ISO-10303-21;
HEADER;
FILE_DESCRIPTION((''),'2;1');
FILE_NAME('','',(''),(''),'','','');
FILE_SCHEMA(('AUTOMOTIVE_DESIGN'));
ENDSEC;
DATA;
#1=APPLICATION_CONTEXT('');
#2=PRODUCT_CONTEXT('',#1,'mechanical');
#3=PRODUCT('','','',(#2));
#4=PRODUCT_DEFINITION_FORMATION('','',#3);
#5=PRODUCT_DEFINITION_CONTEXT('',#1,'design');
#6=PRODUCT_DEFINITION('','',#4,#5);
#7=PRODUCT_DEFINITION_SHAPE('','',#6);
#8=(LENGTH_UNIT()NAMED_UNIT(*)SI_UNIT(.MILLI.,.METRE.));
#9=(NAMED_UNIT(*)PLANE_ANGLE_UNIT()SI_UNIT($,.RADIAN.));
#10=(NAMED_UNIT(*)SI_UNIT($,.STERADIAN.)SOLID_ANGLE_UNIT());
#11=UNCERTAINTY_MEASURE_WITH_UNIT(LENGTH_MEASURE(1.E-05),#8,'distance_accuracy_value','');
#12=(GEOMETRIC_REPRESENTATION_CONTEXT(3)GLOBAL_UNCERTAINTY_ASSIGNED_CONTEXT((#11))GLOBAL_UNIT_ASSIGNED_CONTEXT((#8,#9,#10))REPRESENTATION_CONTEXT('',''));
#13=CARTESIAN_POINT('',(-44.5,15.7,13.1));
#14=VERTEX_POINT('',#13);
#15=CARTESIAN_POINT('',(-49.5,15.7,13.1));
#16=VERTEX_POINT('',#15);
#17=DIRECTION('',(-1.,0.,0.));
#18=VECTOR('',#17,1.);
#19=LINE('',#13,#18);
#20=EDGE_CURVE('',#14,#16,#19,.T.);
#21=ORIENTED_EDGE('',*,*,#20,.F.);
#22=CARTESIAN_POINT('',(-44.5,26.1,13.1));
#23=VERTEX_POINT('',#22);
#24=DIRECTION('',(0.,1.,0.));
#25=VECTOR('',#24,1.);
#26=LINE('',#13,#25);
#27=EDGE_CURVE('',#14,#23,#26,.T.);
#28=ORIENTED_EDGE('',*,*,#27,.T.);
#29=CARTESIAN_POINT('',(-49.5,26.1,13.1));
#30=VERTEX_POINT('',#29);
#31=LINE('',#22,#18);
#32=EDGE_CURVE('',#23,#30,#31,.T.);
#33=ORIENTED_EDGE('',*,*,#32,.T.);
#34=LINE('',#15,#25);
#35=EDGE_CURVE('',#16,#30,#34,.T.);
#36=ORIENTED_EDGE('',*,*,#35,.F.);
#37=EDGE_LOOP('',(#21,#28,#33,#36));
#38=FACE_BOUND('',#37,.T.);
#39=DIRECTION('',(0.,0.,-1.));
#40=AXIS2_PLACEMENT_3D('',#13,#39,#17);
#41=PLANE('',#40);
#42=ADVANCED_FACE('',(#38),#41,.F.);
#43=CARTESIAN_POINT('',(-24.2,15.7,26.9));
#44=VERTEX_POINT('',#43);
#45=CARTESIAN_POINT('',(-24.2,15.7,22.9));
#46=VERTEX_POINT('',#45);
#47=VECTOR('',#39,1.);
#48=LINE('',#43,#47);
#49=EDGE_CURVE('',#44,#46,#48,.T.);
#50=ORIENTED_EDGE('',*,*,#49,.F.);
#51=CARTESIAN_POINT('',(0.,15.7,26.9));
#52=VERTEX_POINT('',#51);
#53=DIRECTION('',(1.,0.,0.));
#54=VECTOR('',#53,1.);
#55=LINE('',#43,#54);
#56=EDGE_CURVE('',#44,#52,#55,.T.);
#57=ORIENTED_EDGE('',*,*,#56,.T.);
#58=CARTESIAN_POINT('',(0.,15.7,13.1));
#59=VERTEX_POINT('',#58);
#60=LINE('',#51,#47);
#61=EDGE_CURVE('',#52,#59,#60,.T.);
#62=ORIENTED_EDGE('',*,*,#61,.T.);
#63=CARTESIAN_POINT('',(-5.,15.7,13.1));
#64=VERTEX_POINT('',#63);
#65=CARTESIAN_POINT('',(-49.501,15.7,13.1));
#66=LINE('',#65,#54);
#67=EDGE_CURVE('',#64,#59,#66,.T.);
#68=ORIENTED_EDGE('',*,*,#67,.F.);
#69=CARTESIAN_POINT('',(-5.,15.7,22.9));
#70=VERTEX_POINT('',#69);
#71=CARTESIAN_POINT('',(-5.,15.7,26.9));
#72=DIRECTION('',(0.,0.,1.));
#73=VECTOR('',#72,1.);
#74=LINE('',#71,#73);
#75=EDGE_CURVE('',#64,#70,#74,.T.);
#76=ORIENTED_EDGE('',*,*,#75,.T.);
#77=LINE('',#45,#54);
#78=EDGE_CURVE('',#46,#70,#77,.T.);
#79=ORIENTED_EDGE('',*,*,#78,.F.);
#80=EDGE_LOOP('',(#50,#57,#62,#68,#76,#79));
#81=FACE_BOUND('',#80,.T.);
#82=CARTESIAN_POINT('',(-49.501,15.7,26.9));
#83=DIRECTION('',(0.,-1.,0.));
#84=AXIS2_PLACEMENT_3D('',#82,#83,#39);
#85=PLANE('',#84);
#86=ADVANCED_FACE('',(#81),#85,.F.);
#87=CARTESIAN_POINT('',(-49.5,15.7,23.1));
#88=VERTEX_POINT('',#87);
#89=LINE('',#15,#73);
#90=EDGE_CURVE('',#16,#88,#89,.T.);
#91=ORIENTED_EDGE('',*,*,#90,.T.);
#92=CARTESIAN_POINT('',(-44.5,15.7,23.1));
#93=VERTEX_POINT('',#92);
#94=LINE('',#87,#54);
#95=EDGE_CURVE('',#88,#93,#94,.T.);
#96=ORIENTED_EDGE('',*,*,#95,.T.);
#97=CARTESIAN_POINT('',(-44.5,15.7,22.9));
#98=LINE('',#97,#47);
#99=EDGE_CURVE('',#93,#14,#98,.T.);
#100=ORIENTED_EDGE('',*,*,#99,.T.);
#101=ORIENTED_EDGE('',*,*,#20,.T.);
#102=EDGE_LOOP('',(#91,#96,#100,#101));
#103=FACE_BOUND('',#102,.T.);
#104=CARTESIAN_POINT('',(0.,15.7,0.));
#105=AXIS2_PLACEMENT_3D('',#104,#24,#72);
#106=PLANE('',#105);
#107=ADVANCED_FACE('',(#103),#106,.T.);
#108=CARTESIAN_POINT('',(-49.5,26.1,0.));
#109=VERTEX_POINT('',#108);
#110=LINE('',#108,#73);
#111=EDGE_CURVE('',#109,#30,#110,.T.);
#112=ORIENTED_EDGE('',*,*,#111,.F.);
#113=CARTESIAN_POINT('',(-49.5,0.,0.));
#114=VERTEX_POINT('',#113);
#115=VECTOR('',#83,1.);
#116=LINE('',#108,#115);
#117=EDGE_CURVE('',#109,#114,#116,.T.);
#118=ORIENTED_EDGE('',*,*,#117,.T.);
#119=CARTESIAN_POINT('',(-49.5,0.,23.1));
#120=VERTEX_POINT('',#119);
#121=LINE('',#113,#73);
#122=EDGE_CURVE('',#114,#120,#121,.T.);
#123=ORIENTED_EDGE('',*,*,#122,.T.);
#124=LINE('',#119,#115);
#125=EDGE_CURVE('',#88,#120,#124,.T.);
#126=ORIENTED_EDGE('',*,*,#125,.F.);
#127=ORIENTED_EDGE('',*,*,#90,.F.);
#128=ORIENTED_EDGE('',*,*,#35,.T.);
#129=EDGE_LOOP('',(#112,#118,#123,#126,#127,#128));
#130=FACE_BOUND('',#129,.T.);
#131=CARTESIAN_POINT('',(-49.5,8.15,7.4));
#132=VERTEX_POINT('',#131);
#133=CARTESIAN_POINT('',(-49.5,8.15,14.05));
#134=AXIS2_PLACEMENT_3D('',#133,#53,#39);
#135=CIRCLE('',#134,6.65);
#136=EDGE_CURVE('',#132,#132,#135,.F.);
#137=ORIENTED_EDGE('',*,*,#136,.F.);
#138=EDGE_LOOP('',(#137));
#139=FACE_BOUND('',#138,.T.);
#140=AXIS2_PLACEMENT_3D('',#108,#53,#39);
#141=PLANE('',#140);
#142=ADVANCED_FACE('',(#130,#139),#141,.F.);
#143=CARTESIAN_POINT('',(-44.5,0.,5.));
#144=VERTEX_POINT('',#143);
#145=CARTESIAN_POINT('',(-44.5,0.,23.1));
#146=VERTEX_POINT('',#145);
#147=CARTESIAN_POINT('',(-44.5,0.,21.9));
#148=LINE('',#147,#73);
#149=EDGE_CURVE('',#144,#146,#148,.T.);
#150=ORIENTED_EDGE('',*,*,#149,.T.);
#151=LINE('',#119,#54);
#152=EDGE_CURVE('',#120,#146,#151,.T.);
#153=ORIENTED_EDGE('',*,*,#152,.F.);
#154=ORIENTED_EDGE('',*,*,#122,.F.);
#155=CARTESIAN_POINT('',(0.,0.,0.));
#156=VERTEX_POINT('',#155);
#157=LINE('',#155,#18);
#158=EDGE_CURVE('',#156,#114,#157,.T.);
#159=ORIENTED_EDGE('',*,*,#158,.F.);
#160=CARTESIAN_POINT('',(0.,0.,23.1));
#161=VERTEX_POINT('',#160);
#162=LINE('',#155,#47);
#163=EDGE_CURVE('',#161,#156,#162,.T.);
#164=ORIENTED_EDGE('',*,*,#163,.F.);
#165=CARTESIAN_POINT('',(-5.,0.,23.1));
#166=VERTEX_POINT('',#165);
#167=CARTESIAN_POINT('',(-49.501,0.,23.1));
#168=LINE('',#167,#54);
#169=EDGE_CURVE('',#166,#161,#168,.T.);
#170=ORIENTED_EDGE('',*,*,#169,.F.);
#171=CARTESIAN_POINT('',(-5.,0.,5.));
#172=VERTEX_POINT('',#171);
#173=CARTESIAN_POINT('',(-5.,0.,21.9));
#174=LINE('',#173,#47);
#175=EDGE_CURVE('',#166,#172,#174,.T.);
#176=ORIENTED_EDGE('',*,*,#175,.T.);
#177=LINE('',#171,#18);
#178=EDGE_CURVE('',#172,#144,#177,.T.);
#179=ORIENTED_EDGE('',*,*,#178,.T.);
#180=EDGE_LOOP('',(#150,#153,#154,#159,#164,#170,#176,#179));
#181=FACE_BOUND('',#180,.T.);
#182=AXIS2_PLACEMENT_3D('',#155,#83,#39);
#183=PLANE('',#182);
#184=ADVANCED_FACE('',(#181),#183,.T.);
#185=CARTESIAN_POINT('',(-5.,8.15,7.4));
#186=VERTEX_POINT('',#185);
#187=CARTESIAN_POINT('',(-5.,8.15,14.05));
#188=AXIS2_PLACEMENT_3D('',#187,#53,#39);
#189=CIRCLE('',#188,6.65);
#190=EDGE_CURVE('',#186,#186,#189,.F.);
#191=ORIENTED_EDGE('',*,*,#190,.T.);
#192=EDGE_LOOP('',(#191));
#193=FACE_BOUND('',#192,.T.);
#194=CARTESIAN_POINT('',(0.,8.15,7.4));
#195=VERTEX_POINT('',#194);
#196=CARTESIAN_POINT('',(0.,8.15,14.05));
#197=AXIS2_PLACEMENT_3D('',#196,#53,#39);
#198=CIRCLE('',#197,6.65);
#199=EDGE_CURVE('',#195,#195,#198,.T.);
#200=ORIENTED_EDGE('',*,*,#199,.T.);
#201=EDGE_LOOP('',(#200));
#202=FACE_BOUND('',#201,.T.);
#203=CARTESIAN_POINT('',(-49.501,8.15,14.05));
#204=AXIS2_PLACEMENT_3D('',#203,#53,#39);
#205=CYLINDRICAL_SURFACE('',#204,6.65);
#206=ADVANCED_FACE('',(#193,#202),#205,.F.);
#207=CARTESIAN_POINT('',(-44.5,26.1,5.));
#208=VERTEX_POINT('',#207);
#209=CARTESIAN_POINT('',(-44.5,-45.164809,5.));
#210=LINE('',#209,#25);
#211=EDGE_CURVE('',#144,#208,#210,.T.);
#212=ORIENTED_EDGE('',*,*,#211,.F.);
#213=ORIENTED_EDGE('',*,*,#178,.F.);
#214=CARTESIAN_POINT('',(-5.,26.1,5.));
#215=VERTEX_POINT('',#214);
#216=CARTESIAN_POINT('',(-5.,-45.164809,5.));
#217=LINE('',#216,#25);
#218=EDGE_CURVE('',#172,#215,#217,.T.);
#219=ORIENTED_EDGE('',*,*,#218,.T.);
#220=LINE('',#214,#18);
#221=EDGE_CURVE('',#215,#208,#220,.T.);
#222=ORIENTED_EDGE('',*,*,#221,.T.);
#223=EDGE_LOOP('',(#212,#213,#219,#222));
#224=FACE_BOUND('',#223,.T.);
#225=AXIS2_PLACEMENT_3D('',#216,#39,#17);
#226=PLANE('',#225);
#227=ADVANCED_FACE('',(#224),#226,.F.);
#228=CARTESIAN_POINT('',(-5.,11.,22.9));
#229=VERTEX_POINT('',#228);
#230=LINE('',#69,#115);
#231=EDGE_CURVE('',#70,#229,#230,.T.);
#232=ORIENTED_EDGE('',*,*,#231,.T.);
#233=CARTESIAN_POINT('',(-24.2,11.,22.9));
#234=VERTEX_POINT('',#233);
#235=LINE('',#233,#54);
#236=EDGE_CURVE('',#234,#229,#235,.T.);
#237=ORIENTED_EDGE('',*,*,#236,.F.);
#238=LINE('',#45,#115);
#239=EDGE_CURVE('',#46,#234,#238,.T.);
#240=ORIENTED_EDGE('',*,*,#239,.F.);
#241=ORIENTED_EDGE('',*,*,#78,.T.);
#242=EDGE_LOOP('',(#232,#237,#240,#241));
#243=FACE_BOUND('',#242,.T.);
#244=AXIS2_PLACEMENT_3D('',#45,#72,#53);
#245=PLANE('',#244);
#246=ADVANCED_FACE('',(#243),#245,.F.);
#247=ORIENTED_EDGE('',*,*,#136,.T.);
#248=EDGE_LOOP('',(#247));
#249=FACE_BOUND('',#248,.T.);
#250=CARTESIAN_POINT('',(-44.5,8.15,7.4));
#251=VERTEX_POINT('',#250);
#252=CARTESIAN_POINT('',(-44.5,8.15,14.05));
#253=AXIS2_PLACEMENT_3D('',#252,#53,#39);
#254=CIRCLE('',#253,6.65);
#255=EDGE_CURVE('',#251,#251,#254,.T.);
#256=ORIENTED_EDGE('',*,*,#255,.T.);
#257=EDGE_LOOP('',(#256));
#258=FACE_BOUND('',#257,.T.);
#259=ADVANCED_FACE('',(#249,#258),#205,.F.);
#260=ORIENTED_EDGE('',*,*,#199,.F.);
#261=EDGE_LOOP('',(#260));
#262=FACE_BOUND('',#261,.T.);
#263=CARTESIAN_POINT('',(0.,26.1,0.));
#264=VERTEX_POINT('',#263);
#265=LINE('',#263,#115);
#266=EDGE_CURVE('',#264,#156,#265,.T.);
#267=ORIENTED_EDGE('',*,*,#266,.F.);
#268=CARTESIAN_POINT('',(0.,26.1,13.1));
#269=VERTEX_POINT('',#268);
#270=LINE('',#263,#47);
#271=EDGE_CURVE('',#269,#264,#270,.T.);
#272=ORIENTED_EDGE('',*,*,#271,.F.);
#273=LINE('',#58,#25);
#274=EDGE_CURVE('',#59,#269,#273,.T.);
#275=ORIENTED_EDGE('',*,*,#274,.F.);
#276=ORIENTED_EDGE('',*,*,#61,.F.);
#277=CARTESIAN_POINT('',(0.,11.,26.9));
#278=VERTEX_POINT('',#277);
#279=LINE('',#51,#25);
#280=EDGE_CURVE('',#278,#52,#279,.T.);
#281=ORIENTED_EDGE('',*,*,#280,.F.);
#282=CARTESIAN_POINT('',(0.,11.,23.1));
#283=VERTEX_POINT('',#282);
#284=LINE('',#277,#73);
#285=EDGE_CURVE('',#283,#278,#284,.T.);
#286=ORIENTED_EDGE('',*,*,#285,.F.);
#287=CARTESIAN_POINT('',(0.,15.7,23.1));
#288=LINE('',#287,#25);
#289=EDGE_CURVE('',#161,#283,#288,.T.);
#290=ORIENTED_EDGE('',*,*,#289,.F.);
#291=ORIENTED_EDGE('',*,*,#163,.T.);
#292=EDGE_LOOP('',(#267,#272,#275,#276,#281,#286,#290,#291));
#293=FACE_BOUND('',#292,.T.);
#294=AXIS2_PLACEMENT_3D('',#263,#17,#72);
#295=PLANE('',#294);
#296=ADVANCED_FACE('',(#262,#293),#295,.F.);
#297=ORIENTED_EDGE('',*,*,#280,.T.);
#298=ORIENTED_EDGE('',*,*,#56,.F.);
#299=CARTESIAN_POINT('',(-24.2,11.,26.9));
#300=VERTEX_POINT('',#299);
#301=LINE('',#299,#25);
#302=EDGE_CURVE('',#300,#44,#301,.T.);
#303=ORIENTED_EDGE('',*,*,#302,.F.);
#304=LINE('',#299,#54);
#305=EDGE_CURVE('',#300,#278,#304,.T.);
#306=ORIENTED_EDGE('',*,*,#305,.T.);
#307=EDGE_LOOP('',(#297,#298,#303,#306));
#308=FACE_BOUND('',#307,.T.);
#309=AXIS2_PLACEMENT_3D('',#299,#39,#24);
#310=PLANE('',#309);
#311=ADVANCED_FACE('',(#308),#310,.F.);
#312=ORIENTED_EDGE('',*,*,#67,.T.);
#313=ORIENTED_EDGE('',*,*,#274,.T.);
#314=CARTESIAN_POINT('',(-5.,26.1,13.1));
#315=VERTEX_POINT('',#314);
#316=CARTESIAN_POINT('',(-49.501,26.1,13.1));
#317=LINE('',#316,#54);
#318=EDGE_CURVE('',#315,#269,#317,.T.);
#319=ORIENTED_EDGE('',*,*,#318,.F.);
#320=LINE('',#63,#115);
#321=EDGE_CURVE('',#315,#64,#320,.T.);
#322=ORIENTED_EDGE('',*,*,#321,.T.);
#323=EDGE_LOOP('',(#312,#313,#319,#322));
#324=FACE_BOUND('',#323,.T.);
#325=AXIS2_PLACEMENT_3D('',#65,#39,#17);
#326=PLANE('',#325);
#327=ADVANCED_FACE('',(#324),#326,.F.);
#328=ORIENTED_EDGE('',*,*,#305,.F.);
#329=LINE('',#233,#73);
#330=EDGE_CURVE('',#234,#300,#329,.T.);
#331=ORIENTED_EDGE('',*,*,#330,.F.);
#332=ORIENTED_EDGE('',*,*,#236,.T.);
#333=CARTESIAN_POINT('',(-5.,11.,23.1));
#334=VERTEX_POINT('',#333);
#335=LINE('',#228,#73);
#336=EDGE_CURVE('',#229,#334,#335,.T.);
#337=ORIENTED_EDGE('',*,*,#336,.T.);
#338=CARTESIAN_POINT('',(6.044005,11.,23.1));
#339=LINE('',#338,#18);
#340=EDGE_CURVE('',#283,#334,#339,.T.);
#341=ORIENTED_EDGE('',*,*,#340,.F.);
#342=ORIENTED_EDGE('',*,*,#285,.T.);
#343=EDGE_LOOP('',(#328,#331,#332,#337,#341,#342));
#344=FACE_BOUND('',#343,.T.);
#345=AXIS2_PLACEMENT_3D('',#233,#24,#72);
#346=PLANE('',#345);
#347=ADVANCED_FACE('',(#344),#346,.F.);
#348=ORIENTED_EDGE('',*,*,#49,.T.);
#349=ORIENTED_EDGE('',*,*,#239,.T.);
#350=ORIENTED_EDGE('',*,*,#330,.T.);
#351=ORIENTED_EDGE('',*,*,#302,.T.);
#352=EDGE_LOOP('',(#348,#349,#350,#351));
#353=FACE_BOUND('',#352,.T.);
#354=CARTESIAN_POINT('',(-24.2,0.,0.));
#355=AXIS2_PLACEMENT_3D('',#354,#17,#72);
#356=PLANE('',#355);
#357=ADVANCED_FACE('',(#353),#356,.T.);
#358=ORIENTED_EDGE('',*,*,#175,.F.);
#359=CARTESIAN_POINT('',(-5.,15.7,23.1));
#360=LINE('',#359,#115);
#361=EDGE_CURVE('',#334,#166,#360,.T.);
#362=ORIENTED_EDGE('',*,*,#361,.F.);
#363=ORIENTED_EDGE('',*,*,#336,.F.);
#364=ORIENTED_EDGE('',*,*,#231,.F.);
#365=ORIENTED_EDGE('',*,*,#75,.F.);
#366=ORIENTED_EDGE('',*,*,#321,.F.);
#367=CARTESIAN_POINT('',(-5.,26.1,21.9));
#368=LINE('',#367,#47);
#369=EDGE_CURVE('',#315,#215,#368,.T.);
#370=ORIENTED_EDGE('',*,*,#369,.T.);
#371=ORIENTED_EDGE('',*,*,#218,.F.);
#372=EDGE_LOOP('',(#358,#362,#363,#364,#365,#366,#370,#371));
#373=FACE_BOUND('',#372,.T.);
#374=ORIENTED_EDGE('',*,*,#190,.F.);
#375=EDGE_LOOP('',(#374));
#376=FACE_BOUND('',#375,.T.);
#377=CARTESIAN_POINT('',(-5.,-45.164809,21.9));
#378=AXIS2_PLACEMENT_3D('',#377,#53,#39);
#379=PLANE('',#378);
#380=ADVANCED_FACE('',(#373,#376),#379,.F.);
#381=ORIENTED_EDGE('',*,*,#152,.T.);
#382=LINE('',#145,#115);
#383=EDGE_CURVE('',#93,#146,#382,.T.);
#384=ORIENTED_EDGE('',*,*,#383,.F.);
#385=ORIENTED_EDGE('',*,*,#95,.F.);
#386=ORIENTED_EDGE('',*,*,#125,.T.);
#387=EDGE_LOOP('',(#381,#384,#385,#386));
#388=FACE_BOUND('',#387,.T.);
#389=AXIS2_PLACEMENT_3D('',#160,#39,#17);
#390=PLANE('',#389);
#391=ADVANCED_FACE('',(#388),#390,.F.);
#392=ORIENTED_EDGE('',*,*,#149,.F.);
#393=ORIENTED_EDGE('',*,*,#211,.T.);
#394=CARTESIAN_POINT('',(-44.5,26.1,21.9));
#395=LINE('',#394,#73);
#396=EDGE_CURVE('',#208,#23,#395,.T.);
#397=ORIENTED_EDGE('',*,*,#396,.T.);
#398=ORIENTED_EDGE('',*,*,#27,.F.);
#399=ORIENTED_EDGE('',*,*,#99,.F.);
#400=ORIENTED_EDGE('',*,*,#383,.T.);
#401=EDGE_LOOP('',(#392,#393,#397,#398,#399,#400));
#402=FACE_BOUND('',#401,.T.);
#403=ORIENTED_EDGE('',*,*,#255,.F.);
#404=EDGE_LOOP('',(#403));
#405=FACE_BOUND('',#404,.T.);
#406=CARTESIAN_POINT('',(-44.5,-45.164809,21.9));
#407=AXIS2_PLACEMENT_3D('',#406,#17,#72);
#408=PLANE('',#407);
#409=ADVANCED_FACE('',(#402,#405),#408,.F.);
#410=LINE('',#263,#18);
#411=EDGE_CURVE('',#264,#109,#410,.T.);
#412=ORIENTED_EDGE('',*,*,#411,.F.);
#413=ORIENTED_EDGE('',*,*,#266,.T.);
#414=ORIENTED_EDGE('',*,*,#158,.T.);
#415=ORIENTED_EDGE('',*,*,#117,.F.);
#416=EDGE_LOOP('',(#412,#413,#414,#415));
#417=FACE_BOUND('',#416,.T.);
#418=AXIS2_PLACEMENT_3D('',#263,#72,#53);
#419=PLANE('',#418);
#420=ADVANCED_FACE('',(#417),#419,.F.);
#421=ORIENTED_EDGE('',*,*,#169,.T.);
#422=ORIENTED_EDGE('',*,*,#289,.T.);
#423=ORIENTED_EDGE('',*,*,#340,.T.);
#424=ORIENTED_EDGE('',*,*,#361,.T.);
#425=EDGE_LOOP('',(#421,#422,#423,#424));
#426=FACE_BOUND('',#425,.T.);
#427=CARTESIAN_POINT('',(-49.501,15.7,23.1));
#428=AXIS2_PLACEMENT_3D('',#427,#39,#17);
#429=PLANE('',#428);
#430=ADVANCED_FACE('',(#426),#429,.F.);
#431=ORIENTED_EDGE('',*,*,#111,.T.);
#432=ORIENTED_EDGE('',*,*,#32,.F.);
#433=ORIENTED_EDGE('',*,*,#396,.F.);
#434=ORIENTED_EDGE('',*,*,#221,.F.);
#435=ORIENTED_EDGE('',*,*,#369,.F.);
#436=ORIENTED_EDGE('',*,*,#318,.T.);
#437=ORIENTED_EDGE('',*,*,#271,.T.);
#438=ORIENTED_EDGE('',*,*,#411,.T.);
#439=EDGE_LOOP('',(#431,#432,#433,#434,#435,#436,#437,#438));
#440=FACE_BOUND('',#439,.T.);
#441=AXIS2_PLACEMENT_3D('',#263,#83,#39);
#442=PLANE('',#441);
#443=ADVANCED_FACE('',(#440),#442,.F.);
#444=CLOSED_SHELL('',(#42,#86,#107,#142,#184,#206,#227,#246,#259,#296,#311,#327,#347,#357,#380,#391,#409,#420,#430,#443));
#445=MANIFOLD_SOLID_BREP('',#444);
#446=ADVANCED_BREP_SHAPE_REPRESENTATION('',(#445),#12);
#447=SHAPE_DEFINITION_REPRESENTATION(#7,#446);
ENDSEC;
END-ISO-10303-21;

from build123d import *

# Parameters (mm, degrees)
CROQUIS2_W              = 49.5
CROQUIS2_H              = 26.9
SALIENTE_EXTRUIR1_DEPTH = 26.1
CORTAR_EXTRUIR2_DEPTH   = 26.1
CORTAR_EXTRUIR3_REACH   = 64.089
CROQUIS3_W              = 13.8
CROQUIS3_H              = 10.4
CORTAR_EXTRUIR4_REACH   = 60.181
CROQUIS9_R              = 6.65
CORTAR_EXTRUIR5_REACH   = 64.089
CROQUIS8_R              = 6.65
CORTAR_EXTRUIR6_DEPTH   = 10.4
CROQUIS10_W             = 24.2
CROQUIS10_H             = 11
CORTAR_EXTRUIR7_DEPTH   = 3.8
CROQUIS13_W             = 19.2
CROQUIS13_H             = 11
CORTAR_EXTRUIR8_DEPTH   = 0.2
CORTAR_EXTRUIR9_REACH   = 64.089
CROQUIS14_W             = 3.8
CROQUIS14_H             = 15.7
CROQUIS16_W             = 4
CROQUIS16_H             = 4.7
SALIENTE_EXTRUIR2_DEPTH = 19.2
CROQUIS17_W             = 3.8
CROQUIS17_H             = 4.7
SALIENTE_EXTRUIR3_DEPTH = 5
CORTAR_EXTRUIR10_REACH  = 60.326


with BuildPart() as part:
    # Croquis2 → Saliente-Extruir1 (new body)
    with BuildSketch(Plane(origin=(0, 0, 0), x_dir=(1, 0, 0), z_dir=(0, 1, 0))):
        with Locations((-24.75, -13.45)):
            Rectangle(CROQUIS2_W, CROQUIS2_H)
    extrude(amount=SALIENTE_EXTRUIR1_DEPTH)

    # Croquis6 → Cortar-Extruir2 (cut)
    with BuildSketch(Plane(origin=(0, 26.1, 0), x_dir=(1, 0, 0), z_dir=(0, 1, 0))):
        Polygon((-44.5, -21.9), (-44.5, -22.9), (-25.3, -22.9), (-25.3, -26.9), (-5, -26.9), (-5, -21.9), (-5, -5), (-44.5, -5), align=None)
    extrude(amount=-CORTAR_EXTRUIR2_DEPTH, mode=Mode.SUBTRACT)

    # Croquis3 → Cortar-Extruir3 (cut, up to next)
    with BuildSketch(Plane(origin=(0, 0, 0), x_dir=(0, 0, -1), z_dir=(1, 0, 0)), mode=Mode.PRIVATE) as cortar_extruir3_sk1:
        with Locations((-20, 20.9)):
            Rectangle(CROQUIS3_W, CROQUIS3_H)
    cortar_extruir3_tool1 = extrude(cortar_extruir3_sk1.sketch, amount=-CORTAR_EXTRUIR3_REACH, mode=Mode.PRIVATE) & part.part
    add(cortar_extruir3_tool1.solids().sort_by_distance((0, 20.9, 20))[0], mode=Mode.SUBTRACT)

    # Croquis9 → Cortar-Extruir4 (cut, up to next)
    with BuildSketch(Plane(origin=(-44.5, 0, 0), x_dir=(0, 0, -1), z_dir=(1, 0, 0)), mode=Mode.PRIVATE) as cortar_extruir4_sk1:
        with Locations((-14.05, 8.15)):
            Circle(CROQUIS9_R)
    cortar_extruir4_tool1 = extrude(cortar_extruir4_sk1.sketch, amount=-CORTAR_EXTRUIR4_REACH, mode=Mode.PRIVATE) & part.part
    add(cortar_extruir4_tool1.solids().sort_by_distance((-44.5, 8.15, 14.05))[0], mode=Mode.SUBTRACT)

    # Croquis8 → Cortar-Extruir5 (cut, up to next)
    with BuildSketch(Plane(origin=(0, 0, 0), x_dir=(0, 0, -1), z_dir=(1, 0, 0)), mode=Mode.PRIVATE) as cortar_extruir5_sk1:
        with Locations((-14.05, 8.15)):
            Circle(CROQUIS8_R)
    cortar_extruir5_tool1 = extrude(cortar_extruir5_sk1.sketch, amount=-CORTAR_EXTRUIR5_REACH, mode=Mode.PRIVATE) & part.part
    add(cortar_extruir5_tool1.solids().sort_by_distance((0, 8.15, 14.05))[0], mode=Mode.SUBTRACT)

    # Croquis11 → Cortar-Extruir6 (cut)
    with BuildSketch(Plane(origin=(0, 26.1, 0), x_dir=(1, 0, 0), z_dir=(0, 1, 0))):
        Polygon((-44.5, -13.1), (-49.5, -13.1), (-49.5, -26.9), (-25.3, -26.9), (-25.3, -22.9), (-44.5, -22.9), align=None)
    extrude(amount=-CORTAR_EXTRUIR6_DEPTH, mode=Mode.SUBTRACT)

    # Croquis10 → Cortar-Extruir7 (cut)
    with BuildSketch(Plane.XY.offset(26.9)):
        with Locations((-37.4, 5.5)):
            Rectangle(CROQUIS10_W, CROQUIS10_H)
    extrude(amount=-CORTAR_EXTRUIR7_DEPTH, mode=Mode.SUBTRACT)

    # Croquis13 → Cortar-Extruir8 (cut)
    with BuildSketch(Plane(origin=(0, 0, 22.9), x_dir=(-1, 0, 0), z_dir=(0, 0, -1))):
        with Locations((34.9, 5.5)):
            Rectangle(CROQUIS13_W, CROQUIS13_H)
    extrude(amount=-CORTAR_EXTRUIR8_DEPTH, mode=Mode.SUBTRACT)

    # Croquis14 → Cortar-Extruir9 (cut, up to next)
    with BuildSketch(Plane(origin=(0, 0, 0), x_dir=(0, 0, -1), z_dir=(1, 0, 0)), mode=Mode.PRIVATE) as cortar_extruir9_sk1:
        with Locations((-25, 7.85)):
            Rectangle(CROQUIS14_W, CROQUIS14_H)
    cortar_extruir9_tool1 = extrude(cortar_extruir9_sk1.sketch, amount=-CORTAR_EXTRUIR9_REACH, mode=Mode.PRIVATE) & part.part
    add(cortar_extruir9_tool1.solids().sort_by_distance((0, 7.85, 25))[0], mode=Mode.SUBTRACT)

    # Croquis16 → Saliente-Extruir2 (add)
    with BuildSketch(Plane.ZY.offset(5)):
        with Locations((24.9, 13.35)):
            Rectangle(CROQUIS16_W, CROQUIS16_H)
    extrude(amount=SALIENTE_EXTRUIR2_DEPTH)

    # Croquis17 → Saliente-Extruir3 (add)
    with BuildSketch(Plane(origin=(-5, 0, 0), x_dir=(0, 0, -1), z_dir=(1, 0, 0))):
        with Locations((-25, 13.35)):
            Rectangle(CROQUIS17_W, CROQUIS17_H)
    extrude(amount=SALIENTE_EXTRUIR3_DEPTH)

    # Croquis18 → Cortar-Extruir10 (cut, up to next)
    with BuildSketch(Plane.XZ.offset(-11), mode=Mode.PRIVATE) as cortar_extruir10_sk1:
        Polygon((-25.3, 26.9), (-49.5, 26.9), (-49.5, 23.1), (-44.5, 23.1), (-44.5, 22.9), (-25.3, 22.9), align=None)
    cortar_extruir10_tool1 = extrude(cortar_extruir10_sk1.sketch, amount=-CORTAR_EXTRUIR10_REACH, mode=Mode.PRIVATE) & part.part
    add(cortar_extruir10_tool1.solids().sort_by_distance((-37.299791, 11, 24.919833))[0], mode=Mode.SUBTRACT)


solid = part.part
